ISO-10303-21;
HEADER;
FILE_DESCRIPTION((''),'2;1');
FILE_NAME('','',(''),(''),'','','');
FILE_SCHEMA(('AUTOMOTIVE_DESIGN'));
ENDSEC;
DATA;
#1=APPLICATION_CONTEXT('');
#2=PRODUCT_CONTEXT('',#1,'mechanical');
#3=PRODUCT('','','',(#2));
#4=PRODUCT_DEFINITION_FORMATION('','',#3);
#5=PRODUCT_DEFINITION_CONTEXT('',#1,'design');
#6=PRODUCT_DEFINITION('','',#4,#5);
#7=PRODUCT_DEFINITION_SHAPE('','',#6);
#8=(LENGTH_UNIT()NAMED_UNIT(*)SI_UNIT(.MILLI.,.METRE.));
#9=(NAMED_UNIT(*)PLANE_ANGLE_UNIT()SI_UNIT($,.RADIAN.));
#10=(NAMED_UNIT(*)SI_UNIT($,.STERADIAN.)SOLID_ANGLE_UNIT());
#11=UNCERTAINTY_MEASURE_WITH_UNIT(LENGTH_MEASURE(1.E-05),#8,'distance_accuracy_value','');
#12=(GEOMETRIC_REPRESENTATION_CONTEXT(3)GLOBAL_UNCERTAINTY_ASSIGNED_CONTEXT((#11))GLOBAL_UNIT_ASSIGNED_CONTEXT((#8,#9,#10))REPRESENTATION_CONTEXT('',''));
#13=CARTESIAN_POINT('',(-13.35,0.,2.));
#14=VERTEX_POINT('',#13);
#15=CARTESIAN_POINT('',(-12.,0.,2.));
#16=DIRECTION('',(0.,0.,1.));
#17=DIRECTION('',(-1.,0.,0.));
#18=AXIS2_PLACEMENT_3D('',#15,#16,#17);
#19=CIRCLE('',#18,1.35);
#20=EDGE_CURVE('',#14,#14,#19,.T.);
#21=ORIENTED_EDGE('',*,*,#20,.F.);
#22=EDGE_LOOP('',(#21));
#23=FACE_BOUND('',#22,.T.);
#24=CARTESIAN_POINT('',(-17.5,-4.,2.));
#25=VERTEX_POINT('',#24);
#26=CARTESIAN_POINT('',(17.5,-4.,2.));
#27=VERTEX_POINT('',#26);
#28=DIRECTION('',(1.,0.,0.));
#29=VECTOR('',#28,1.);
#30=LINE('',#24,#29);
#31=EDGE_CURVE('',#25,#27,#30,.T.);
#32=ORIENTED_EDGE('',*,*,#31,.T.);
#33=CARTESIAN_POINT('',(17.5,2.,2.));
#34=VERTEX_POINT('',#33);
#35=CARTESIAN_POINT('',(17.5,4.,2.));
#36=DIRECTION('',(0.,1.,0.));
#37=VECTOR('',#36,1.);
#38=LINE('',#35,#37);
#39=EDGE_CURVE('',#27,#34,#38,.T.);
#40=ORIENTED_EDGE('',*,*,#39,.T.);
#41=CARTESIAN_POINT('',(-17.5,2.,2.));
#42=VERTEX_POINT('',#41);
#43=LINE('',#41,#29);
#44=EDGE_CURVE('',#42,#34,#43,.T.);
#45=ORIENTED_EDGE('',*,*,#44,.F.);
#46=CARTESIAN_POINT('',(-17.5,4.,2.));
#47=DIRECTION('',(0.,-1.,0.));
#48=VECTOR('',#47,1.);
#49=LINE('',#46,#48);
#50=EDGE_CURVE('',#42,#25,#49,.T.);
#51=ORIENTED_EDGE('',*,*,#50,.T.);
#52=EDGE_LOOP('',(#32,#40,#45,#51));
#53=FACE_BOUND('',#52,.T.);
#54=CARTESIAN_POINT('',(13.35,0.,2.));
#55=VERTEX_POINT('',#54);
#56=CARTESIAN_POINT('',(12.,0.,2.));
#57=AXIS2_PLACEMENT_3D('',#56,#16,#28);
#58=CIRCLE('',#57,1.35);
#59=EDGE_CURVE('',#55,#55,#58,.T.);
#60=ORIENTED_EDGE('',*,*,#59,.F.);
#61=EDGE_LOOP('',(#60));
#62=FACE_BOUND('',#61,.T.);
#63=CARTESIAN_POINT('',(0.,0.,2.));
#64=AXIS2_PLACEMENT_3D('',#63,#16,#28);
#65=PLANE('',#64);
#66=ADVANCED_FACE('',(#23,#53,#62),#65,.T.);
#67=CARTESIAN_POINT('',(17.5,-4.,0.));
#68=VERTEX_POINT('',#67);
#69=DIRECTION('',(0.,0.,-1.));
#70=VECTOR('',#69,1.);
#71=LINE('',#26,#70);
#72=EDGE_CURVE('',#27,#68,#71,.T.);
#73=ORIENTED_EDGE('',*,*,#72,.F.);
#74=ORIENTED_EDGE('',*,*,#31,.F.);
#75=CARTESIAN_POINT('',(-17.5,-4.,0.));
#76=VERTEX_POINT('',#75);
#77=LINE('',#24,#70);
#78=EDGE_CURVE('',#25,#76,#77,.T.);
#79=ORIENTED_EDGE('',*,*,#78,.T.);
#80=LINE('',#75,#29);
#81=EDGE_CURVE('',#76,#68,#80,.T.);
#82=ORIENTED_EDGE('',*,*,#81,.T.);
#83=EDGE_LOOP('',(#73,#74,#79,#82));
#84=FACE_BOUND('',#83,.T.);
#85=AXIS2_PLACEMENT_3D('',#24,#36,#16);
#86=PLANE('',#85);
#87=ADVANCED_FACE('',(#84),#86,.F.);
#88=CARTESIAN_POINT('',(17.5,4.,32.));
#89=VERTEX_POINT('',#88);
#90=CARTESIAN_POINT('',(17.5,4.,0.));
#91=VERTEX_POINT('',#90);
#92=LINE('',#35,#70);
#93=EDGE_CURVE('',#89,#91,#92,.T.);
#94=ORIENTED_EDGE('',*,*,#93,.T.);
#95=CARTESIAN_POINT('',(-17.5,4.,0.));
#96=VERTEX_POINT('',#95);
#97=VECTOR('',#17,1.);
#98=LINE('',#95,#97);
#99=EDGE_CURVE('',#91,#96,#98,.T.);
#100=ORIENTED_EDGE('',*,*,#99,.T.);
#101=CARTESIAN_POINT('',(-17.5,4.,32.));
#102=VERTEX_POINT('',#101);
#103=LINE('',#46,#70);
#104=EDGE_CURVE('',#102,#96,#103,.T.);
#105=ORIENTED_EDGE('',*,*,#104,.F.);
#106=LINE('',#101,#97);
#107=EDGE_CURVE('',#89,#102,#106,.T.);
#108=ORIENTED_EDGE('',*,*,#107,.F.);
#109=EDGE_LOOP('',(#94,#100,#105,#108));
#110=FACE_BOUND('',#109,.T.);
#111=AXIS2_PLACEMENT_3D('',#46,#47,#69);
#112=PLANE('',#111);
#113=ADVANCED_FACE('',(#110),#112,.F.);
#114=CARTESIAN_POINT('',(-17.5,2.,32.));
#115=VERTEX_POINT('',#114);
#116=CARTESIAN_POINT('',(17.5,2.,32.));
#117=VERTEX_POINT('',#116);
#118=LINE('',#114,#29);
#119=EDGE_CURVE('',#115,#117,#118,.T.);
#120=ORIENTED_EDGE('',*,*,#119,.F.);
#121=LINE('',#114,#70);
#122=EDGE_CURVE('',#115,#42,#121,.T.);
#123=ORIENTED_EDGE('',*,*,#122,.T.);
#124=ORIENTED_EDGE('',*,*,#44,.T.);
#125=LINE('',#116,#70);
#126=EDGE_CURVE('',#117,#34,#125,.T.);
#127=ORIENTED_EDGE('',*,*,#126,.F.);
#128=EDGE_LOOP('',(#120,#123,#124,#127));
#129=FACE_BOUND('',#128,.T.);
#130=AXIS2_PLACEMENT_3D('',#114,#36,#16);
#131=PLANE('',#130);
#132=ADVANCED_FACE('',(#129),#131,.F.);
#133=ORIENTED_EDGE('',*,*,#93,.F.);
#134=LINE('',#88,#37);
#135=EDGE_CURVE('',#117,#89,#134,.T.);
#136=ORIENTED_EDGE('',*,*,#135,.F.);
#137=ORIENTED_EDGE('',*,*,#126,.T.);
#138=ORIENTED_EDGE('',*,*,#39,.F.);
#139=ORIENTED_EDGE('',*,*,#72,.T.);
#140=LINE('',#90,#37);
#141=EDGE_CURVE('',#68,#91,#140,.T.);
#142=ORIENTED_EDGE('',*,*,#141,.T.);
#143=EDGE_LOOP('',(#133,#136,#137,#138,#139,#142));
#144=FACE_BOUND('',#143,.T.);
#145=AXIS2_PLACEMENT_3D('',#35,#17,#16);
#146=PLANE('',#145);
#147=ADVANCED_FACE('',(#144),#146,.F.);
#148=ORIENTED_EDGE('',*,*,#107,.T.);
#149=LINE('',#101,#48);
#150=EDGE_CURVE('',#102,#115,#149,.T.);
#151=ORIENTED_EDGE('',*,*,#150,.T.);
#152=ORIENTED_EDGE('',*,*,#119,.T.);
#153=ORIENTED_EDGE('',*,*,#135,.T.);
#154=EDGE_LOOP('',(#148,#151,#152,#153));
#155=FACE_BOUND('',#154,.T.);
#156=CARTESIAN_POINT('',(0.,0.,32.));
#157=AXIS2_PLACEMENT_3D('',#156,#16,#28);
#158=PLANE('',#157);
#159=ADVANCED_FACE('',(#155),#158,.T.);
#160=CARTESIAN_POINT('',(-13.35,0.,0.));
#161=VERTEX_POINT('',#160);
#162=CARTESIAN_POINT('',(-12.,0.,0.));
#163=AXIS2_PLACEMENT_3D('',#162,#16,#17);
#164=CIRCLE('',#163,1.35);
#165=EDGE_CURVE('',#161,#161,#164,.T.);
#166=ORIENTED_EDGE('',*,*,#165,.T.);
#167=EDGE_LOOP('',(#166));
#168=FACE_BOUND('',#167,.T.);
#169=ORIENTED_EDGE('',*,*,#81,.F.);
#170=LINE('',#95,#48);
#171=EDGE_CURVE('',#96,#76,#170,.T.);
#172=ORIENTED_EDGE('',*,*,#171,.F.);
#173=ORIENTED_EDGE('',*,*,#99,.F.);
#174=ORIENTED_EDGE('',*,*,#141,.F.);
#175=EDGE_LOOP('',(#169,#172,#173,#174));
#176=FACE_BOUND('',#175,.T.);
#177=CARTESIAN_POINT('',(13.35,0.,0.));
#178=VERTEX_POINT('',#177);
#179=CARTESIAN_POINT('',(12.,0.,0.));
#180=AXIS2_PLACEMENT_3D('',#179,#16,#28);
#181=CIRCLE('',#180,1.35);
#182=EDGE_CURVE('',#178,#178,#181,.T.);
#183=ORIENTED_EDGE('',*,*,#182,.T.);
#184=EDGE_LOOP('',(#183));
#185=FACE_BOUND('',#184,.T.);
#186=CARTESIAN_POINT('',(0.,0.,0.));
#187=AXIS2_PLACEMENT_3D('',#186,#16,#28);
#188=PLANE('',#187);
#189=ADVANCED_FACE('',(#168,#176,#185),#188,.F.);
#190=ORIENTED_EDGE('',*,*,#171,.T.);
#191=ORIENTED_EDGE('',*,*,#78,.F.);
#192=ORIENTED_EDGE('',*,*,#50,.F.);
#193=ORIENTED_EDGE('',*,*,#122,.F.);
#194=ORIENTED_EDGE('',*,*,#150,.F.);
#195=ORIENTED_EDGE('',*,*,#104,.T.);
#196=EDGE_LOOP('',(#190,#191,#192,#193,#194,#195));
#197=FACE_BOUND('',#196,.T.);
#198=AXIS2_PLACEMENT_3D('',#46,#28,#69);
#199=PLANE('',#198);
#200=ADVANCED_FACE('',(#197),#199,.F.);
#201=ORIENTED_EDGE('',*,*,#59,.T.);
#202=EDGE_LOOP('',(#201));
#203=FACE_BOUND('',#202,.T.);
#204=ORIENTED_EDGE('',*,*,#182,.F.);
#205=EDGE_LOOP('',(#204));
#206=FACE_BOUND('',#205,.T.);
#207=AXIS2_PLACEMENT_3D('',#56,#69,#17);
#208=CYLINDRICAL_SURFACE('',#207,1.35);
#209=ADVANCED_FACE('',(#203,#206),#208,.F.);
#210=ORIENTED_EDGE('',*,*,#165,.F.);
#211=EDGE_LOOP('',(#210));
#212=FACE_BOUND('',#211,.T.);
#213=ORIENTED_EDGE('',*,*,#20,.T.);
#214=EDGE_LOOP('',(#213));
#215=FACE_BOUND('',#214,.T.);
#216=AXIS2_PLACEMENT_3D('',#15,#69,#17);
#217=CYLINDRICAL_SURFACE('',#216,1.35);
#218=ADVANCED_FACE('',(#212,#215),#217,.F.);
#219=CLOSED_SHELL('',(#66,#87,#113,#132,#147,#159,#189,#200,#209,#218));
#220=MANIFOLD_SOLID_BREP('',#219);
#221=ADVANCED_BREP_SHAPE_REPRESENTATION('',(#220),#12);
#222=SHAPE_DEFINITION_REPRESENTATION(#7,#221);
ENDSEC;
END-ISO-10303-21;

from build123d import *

# Parameters (mm, degrees)
SKETCH1_W           = 35
SKETCH1_H           = 8
SKETCH1_R           = 1.35
BOSS_EXTRUDE1_DEPTH = 2
SKETCH2_W           = 35
SKETCH2_H           = 2
BOSS_EXTRUDE3_DEPTH = 30


with BuildPart() as part:
    # Sketch1 → Boss-Extrude1 (new body)
    with BuildSketch(Plane.XY):
        Rectangle(SKETCH1_W, SKETCH1_H)
        with Locations((12, 0)):
            Circle(SKETCH1_R, mode=Mode.SUBTRACT)
        with Locations(Location((-12, 0, 0), (0, 0, 180))):
            Circle(SKETCH1_R, mode=Mode.SUBTRACT)
    extrude(amount=BOSS_EXTRUDE1_DEPTH)

    # Sketch2 → Boss-Extrude3 (add)
    with BuildSketch(Plane.XY.offset(2)):
        with Locations((0, 3)):
            Rectangle(SKETCH2_W, SKETCH2_H)
    extrude(amount=BOSS_EXTRUDE3_DEPTH)


solid = part.part
